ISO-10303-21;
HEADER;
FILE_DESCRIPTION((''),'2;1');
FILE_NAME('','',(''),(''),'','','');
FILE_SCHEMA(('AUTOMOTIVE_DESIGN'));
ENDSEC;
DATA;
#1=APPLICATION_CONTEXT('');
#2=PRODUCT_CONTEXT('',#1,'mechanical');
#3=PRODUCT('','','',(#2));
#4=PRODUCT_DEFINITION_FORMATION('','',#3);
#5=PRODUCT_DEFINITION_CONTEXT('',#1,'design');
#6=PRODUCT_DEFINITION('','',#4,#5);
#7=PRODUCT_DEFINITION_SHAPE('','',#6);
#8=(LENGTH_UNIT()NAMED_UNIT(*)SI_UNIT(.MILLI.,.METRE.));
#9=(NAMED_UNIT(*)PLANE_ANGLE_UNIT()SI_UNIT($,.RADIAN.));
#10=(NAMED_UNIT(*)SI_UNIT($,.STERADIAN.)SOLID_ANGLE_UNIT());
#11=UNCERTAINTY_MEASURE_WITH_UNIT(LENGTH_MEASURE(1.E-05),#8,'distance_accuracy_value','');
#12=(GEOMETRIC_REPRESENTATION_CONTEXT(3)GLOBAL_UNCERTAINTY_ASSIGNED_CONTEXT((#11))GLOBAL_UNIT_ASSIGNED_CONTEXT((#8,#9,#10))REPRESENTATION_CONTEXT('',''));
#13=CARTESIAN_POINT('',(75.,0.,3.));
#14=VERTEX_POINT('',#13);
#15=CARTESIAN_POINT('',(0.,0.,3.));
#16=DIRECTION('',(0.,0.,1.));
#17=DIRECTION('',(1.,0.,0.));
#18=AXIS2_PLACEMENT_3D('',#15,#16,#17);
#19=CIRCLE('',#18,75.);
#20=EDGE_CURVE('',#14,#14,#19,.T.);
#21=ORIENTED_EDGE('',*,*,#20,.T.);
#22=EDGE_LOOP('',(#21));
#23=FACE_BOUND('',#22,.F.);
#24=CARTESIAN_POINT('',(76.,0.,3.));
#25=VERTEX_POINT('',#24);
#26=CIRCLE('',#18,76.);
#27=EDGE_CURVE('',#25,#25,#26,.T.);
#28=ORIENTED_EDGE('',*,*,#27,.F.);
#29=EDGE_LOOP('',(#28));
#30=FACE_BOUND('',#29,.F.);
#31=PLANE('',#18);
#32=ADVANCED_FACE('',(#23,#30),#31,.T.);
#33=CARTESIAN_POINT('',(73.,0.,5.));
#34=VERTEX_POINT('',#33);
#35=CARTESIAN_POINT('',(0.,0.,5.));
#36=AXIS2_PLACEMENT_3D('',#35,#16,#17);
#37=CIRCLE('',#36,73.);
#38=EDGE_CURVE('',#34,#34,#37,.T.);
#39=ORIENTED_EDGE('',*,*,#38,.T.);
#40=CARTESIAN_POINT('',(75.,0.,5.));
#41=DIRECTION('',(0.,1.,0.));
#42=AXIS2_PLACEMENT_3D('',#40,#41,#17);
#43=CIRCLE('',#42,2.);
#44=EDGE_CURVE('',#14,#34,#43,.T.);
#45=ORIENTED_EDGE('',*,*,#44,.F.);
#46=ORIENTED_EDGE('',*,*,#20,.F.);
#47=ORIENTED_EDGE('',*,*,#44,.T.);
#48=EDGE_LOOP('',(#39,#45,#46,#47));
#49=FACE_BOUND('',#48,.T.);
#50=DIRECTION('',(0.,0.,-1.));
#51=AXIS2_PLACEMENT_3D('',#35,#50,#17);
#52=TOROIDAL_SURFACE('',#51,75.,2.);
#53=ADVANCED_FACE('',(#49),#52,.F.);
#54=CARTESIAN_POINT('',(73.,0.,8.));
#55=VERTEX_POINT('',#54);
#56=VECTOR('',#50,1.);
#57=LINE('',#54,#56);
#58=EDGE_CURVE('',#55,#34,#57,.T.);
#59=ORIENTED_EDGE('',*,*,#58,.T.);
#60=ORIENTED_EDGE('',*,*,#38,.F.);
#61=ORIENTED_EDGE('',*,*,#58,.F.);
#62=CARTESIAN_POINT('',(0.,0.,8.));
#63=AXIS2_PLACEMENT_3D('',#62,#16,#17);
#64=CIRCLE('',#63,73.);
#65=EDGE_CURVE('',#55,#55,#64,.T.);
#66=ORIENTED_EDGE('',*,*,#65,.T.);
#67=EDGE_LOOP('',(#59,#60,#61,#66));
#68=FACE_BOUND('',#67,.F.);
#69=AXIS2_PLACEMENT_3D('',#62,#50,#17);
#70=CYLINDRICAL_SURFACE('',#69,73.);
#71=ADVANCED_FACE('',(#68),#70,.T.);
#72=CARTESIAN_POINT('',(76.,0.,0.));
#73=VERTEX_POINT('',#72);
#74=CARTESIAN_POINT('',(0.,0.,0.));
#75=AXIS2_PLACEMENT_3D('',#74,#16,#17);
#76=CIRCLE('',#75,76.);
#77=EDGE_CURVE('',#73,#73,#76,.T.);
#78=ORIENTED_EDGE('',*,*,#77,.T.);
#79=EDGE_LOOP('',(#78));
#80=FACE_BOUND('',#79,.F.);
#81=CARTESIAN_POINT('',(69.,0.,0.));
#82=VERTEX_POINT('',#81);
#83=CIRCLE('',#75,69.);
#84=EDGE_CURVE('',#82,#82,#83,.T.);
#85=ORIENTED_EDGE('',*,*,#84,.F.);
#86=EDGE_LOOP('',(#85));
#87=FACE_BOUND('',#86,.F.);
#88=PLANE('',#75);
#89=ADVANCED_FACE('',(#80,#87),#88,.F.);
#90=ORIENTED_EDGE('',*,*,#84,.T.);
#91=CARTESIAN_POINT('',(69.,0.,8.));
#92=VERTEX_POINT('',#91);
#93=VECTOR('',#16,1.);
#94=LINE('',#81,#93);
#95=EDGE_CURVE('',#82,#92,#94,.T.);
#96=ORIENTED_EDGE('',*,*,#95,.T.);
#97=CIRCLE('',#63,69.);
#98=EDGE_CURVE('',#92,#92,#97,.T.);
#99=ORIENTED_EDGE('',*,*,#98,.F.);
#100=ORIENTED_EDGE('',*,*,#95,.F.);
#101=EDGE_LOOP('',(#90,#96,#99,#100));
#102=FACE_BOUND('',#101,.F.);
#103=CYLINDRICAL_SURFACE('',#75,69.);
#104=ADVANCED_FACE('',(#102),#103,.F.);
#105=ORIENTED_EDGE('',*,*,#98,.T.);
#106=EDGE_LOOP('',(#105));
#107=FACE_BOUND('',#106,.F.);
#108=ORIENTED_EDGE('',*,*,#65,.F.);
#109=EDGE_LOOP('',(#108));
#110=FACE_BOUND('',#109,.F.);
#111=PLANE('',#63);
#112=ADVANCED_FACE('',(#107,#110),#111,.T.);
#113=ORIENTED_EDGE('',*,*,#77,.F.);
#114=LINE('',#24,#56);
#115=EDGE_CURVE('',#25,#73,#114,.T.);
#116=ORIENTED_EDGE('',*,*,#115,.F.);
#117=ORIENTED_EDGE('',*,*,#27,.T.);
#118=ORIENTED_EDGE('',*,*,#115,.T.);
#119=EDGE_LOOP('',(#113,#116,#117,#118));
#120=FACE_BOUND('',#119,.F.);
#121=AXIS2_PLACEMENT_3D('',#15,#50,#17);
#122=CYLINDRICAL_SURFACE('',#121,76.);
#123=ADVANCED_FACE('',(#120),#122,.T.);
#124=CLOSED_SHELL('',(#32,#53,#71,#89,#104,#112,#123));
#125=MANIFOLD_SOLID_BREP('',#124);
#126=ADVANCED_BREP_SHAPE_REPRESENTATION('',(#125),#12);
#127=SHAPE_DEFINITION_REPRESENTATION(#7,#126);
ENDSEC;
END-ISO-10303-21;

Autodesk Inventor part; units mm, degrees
ref_plane "YZ Plane" through (0, 0, 0) normal (1, 0, 0) x (0, 1, 0)
ref_plane "XZ Plane" through (0, 0, 0) normal (0, 1, 0) x (-1, 0, 0)
ref_plane "XY Plane" through (0, 0, 0) normal (0, 0, 1) x (1, 0, 0)
sketch "Skizze1" plane through (0, 0, 0) normal (0, 1, 0) x (-1, 0, 0)
  line L0 (0, -1.6) -> (0, 9.6) projected
  line L1 (-69, 0) -> (-69, 8)
  line L2 (-69, 8) -> (-73, 8)
  line L3 (-76, 0) -> (-69, 0)
  line L4 (-73, 8) -> (-73, 3)
  line L5 (-73, 3) -> (-76, 3)
  line L6 (-76, 3) -> (-76, 0)
  point P0 (0, 0)
  dimension "d0" = 152
  dimension "d1" = 8
  dimension "d2" = 7
  dimension "d3" = 4
  dimension "d4" = 3
revolve "Umdrehung1" add sketch "Skizze1" angle 360 about axis through (0, 0, -10) along (0, 0, 1)
fillet "Rundung1" radius 2 1 edges at (-73, 0, 3)
properties part number "DriftGummisPvcKlebestütze"
